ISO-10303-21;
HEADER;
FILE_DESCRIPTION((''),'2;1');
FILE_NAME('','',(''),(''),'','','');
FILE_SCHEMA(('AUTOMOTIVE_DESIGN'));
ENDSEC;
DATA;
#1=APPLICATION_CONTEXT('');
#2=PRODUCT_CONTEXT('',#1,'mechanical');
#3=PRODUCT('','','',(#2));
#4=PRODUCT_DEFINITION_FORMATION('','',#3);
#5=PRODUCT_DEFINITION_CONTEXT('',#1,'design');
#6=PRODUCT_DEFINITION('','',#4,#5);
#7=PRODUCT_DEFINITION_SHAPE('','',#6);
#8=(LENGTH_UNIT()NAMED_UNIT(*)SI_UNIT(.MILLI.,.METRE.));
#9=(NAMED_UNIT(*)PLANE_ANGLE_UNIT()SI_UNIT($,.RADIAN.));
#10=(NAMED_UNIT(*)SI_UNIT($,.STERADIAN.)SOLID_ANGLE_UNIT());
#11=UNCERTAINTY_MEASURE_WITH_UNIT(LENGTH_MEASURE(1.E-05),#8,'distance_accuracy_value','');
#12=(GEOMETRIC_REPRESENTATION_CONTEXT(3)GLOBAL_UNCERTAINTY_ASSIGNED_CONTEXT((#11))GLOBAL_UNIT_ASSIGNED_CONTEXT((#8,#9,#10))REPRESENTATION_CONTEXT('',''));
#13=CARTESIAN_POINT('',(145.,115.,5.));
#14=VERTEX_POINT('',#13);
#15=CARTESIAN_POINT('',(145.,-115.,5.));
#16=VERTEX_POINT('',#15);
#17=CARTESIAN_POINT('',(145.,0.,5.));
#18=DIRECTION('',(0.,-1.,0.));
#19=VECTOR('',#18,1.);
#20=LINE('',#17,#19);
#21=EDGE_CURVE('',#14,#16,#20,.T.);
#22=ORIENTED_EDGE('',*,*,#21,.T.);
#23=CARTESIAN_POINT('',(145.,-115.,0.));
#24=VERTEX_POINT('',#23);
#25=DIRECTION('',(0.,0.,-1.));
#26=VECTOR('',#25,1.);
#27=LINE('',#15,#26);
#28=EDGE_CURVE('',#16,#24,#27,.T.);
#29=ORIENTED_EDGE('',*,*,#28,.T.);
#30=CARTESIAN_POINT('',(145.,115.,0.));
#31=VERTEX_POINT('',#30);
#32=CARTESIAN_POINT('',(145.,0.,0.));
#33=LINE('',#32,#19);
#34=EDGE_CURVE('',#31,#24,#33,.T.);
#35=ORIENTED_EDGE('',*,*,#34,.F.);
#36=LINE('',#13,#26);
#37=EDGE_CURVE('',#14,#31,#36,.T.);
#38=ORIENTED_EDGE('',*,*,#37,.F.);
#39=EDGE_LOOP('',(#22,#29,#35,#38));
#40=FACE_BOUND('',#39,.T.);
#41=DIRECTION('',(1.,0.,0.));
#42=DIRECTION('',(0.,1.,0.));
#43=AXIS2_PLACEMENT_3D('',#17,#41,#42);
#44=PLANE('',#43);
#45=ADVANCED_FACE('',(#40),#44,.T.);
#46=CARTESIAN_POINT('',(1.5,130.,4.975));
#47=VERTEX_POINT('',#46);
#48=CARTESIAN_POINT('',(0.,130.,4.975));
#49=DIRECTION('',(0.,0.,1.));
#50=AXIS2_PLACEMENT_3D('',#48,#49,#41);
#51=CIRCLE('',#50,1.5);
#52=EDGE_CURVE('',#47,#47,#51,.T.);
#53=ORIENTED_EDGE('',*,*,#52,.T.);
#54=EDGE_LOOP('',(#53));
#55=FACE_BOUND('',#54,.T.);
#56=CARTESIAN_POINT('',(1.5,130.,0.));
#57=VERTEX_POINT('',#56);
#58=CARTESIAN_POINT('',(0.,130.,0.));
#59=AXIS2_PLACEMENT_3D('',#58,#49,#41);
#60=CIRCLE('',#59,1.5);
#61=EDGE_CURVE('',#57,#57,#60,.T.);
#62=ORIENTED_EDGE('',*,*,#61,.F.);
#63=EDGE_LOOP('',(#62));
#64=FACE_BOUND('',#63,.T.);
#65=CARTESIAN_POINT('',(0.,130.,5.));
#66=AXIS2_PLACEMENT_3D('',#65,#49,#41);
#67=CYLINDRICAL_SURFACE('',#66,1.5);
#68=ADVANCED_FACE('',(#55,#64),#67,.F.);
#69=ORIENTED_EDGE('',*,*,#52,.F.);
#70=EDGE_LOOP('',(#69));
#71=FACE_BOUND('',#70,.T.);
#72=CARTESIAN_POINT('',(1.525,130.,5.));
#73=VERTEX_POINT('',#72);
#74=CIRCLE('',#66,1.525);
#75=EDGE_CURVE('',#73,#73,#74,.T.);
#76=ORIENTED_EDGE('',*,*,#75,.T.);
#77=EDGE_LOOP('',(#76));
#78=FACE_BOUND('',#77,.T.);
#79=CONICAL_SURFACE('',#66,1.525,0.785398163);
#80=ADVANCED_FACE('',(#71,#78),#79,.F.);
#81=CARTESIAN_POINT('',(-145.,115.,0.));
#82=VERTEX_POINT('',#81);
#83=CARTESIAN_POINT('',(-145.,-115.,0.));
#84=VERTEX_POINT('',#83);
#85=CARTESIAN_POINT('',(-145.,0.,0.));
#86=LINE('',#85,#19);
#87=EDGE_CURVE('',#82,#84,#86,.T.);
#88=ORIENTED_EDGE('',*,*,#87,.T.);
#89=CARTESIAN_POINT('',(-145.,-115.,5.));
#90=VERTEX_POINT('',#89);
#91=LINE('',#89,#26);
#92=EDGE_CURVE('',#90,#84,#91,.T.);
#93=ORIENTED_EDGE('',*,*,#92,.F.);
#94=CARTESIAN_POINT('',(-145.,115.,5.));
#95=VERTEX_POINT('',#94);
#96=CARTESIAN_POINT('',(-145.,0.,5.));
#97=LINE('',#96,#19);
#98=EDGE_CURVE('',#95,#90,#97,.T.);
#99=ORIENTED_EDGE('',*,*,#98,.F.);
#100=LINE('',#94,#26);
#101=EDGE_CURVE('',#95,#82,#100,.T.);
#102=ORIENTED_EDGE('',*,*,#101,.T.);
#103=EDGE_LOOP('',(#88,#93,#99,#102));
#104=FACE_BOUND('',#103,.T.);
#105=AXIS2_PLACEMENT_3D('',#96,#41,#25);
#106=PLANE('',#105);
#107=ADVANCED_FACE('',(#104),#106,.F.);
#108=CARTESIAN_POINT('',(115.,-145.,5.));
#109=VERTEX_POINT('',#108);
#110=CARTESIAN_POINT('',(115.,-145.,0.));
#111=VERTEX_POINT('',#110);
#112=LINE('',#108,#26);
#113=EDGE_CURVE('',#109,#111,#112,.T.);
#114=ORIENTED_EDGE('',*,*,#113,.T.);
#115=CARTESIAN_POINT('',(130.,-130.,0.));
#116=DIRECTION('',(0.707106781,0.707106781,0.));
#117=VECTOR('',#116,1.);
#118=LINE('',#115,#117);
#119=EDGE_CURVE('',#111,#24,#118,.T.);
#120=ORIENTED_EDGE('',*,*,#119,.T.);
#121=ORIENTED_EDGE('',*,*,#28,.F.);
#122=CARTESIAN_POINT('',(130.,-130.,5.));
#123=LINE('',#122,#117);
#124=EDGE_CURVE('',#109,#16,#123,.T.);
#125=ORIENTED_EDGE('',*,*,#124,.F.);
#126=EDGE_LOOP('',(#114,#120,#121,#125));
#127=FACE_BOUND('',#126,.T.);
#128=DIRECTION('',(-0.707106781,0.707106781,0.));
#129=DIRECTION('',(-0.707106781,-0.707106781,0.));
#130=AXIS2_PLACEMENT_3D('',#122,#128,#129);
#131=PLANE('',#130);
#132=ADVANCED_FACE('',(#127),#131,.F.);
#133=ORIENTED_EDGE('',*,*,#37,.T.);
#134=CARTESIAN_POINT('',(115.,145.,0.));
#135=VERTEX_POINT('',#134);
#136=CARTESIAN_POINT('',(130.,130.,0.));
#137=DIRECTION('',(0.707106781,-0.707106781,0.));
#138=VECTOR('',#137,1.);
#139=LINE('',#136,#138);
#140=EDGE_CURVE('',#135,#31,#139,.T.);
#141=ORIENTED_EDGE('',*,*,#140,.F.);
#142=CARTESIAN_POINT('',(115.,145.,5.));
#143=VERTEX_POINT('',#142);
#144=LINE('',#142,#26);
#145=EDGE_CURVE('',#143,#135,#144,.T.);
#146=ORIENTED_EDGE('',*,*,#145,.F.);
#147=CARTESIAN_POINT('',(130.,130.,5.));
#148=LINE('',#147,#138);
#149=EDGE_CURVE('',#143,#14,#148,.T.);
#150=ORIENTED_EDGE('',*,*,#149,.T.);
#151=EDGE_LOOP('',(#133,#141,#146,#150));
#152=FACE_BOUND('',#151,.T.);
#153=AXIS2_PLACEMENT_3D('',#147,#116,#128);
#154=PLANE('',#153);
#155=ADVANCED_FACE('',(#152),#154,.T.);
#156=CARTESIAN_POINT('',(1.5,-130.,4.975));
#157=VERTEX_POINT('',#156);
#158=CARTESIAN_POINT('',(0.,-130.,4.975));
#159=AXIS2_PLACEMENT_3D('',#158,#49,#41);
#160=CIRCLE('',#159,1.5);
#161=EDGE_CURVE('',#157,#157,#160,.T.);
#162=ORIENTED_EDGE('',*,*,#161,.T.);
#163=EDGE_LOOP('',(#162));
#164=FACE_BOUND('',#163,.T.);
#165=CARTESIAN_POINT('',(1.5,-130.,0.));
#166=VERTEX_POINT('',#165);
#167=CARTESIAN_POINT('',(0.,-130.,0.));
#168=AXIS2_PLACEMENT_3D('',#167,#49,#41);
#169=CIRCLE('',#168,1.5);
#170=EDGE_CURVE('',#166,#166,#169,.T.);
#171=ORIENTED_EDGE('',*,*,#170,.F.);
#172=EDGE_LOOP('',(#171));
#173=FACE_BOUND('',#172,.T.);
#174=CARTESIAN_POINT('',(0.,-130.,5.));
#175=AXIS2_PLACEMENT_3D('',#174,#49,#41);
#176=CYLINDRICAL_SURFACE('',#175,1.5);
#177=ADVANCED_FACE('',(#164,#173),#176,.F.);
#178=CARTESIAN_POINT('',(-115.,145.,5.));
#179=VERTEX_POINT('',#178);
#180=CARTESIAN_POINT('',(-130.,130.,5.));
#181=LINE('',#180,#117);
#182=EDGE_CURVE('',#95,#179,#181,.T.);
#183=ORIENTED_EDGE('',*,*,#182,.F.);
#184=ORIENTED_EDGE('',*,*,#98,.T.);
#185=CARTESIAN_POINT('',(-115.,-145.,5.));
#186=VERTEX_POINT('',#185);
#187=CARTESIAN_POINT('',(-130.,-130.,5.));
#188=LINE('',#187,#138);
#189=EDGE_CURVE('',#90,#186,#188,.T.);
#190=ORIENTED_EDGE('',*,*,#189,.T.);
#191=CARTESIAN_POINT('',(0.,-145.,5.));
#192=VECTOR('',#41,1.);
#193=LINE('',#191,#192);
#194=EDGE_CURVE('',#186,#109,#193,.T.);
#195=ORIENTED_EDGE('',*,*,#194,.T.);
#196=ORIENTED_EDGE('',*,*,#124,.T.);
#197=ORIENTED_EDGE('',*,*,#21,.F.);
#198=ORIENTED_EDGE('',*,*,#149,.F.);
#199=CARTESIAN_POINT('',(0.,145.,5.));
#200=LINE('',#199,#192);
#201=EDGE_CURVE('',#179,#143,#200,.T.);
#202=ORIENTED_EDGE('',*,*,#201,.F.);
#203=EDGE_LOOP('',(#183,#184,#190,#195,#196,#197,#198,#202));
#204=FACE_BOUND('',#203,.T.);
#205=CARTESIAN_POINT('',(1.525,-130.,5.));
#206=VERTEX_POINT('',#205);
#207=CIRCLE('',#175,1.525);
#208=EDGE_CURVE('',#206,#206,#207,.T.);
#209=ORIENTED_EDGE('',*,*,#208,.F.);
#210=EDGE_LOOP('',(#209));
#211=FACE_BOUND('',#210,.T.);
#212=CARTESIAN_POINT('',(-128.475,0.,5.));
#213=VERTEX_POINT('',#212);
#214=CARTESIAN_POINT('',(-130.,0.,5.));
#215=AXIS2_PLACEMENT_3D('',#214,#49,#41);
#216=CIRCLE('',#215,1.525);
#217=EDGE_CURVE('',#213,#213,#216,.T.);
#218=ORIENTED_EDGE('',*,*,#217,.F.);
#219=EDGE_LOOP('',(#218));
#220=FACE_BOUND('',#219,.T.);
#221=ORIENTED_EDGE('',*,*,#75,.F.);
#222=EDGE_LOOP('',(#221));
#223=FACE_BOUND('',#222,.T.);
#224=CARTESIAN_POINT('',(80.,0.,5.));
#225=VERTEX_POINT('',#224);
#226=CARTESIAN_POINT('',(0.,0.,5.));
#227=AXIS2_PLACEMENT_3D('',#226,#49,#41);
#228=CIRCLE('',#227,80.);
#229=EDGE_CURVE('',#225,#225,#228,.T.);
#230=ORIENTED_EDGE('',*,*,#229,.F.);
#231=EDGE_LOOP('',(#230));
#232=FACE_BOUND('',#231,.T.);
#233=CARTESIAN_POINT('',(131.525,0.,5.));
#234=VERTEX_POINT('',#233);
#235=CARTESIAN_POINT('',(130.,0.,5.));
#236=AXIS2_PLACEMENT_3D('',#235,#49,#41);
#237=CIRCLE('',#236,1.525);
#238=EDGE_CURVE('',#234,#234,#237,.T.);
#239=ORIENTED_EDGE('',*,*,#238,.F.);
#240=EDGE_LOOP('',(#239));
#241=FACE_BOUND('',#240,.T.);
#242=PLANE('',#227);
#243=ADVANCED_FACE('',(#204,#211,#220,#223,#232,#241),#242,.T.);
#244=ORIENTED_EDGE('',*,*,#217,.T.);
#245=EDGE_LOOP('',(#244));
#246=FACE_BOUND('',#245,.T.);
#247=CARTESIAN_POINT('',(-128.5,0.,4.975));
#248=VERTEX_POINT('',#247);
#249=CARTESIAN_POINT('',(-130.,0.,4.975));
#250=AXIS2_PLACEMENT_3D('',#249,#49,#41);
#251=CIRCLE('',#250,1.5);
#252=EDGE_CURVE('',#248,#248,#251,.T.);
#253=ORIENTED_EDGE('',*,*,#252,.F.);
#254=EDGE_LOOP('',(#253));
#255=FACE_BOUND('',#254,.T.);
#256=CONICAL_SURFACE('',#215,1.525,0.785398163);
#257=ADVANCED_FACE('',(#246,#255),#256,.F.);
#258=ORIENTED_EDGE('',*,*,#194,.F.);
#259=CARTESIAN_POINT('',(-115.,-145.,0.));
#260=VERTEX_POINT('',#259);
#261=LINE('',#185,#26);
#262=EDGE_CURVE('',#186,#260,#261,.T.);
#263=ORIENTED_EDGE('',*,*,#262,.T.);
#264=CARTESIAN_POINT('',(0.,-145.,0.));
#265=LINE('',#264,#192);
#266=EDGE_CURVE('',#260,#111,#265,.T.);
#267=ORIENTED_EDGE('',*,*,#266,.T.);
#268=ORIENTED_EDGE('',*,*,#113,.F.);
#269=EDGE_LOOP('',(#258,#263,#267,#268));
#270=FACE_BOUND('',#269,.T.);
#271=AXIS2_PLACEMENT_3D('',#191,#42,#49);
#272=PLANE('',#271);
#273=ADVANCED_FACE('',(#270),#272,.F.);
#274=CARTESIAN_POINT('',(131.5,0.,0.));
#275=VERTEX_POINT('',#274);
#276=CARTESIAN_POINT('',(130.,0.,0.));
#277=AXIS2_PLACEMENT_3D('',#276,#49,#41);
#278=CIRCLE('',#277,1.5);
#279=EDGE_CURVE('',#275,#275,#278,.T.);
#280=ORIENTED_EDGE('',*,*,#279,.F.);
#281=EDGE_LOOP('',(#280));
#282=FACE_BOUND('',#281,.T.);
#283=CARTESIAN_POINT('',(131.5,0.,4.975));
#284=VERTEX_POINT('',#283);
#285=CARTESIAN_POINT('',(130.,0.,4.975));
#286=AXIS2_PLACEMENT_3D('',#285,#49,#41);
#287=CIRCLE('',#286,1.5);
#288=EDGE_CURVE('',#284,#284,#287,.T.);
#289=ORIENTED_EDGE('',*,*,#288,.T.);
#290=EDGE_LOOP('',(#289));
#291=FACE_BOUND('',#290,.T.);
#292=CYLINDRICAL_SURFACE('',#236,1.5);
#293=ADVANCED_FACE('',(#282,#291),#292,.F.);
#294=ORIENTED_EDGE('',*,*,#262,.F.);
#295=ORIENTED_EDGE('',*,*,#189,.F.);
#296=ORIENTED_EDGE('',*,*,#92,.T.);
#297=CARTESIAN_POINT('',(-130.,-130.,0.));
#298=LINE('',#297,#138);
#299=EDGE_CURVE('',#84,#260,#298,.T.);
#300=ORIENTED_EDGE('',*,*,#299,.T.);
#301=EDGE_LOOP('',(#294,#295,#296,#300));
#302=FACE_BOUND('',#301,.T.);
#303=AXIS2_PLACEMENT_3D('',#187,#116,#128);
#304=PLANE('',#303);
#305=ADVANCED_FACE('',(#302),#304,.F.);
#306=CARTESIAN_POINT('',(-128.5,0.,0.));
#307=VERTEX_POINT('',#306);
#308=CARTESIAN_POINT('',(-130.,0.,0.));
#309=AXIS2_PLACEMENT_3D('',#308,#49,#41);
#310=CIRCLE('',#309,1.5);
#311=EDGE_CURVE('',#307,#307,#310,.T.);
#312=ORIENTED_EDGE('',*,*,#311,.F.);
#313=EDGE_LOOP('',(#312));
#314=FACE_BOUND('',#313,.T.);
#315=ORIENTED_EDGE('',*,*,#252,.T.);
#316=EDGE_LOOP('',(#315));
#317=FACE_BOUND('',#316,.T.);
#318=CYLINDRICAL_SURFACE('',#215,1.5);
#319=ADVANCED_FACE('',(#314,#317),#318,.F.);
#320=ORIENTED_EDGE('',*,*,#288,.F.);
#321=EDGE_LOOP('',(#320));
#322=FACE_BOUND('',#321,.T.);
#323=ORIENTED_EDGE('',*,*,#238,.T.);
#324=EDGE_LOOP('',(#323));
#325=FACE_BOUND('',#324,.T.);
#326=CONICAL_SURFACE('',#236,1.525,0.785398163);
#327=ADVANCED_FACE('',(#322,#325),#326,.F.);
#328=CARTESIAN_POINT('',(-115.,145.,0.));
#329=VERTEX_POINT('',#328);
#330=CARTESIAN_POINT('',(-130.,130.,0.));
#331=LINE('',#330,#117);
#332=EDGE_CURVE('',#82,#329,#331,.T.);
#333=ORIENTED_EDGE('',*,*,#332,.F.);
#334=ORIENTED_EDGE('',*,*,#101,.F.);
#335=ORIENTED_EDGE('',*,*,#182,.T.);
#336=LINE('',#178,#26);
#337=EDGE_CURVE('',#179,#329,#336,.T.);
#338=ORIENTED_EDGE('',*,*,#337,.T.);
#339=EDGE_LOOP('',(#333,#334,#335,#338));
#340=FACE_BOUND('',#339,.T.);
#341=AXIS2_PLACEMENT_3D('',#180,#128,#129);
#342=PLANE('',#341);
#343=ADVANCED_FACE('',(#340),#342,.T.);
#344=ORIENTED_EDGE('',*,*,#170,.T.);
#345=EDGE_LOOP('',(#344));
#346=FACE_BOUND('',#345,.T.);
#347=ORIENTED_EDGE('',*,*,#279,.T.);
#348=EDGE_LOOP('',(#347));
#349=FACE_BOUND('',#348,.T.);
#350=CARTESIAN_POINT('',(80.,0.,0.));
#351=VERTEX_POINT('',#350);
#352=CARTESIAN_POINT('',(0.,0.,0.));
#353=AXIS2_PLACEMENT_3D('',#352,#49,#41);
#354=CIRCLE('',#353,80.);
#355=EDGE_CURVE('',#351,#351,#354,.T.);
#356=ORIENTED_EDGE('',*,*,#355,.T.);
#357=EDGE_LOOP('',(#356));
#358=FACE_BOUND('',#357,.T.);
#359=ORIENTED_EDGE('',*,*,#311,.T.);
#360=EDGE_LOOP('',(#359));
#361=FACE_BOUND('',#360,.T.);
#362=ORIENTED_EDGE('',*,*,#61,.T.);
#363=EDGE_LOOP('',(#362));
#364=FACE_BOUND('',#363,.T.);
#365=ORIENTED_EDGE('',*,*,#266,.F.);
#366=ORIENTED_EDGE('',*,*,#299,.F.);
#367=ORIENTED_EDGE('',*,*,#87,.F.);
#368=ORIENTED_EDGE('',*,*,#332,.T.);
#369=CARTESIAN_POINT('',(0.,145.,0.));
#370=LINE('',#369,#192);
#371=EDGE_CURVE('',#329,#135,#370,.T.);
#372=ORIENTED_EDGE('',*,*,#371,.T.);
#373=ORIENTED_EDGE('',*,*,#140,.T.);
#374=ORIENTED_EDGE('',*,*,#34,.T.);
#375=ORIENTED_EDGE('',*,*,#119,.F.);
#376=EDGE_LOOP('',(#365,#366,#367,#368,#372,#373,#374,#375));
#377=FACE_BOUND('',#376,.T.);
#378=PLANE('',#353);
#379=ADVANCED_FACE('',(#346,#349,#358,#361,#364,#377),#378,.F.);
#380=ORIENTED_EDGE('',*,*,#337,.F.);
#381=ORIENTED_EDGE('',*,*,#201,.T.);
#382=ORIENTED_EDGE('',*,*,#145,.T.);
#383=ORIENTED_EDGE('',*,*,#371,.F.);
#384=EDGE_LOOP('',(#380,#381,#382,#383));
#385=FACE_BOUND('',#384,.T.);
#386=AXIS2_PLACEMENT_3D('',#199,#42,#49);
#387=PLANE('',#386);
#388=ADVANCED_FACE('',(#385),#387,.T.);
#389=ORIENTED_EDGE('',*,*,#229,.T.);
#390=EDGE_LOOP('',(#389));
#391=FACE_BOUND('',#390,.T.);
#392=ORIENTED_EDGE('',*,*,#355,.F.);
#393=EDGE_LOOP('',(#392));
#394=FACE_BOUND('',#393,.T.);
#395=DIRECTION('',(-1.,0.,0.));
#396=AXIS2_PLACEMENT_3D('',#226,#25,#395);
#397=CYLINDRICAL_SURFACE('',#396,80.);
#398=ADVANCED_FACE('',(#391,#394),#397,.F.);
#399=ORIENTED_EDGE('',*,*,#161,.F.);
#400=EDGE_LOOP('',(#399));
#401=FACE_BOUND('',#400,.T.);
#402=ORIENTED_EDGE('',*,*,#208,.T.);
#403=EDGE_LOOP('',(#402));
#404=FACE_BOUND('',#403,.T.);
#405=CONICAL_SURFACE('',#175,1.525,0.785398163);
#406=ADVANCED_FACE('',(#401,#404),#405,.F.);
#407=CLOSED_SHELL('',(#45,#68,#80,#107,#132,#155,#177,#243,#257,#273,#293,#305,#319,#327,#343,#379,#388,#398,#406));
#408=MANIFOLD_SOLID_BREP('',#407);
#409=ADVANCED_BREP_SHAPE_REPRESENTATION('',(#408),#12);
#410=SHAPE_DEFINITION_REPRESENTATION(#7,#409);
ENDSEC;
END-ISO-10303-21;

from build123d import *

# Parameters (mm, degrees)
SKETCH1_R                       = 80
BOSS_EXTRUDE1_DEPTH             = 5
F_3_0MM_DOWEL_HOLE1_D           = 3
F_3_0MM_DOWEL_HOLE1_DEPTH       = 7.5
F_3_0MM_DOWEL_HOLE1_CSINK_D     = 3.05
F_3_0MM_DOWEL_HOLE1_CSINK_ANGLE = 90
F_3_0MM_DOWEL_HOLE1_TIP         = 0.901290929


with BuildPart() as part:
    # Sketch1 → Boss-Extrude1 (new body)
    with BuildSketch(Plane.XY):
        Polygon((-145, 115), (-115, 145), (115, 145), (145, 115), (145, -115), (115, -145), (-115, -145), (-145, -115), align=None)
        Circle(SKETCH1_R, mode=Mode.SUBTRACT)
    extrude(amount=BOSS_EXTRUDE1_DEPTH)

    # Ø3.0mm Dowel Hole1
    with Locations(Plane.XY.offset(5)):
        with Locations((0, 130), (130, 0), (0, -130), (-130, 0)):
            CounterSinkHole(F_3_0MM_DOWEL_HOLE1_D / 2, F_3_0MM_DOWEL_HOLE1_CSINK_D / 2, depth=F_3_0MM_DOWEL_HOLE1_DEPTH, counter_sink_angle=F_3_0MM_DOWEL_HOLE1_CSINK_ANGLE)
            with Locations((0, 0, -(F_3_0MM_DOWEL_HOLE1_DEPTH + F_3_0MM_DOWEL_HOLE1_TIP / 2))):  # 118° drill point
                Cone(0, F_3_0MM_DOWEL_HOLE1_D / 2, F_3_0MM_DOWEL_HOLE1_TIP, mode=Mode.SUBTRACT)


solid = part.part
